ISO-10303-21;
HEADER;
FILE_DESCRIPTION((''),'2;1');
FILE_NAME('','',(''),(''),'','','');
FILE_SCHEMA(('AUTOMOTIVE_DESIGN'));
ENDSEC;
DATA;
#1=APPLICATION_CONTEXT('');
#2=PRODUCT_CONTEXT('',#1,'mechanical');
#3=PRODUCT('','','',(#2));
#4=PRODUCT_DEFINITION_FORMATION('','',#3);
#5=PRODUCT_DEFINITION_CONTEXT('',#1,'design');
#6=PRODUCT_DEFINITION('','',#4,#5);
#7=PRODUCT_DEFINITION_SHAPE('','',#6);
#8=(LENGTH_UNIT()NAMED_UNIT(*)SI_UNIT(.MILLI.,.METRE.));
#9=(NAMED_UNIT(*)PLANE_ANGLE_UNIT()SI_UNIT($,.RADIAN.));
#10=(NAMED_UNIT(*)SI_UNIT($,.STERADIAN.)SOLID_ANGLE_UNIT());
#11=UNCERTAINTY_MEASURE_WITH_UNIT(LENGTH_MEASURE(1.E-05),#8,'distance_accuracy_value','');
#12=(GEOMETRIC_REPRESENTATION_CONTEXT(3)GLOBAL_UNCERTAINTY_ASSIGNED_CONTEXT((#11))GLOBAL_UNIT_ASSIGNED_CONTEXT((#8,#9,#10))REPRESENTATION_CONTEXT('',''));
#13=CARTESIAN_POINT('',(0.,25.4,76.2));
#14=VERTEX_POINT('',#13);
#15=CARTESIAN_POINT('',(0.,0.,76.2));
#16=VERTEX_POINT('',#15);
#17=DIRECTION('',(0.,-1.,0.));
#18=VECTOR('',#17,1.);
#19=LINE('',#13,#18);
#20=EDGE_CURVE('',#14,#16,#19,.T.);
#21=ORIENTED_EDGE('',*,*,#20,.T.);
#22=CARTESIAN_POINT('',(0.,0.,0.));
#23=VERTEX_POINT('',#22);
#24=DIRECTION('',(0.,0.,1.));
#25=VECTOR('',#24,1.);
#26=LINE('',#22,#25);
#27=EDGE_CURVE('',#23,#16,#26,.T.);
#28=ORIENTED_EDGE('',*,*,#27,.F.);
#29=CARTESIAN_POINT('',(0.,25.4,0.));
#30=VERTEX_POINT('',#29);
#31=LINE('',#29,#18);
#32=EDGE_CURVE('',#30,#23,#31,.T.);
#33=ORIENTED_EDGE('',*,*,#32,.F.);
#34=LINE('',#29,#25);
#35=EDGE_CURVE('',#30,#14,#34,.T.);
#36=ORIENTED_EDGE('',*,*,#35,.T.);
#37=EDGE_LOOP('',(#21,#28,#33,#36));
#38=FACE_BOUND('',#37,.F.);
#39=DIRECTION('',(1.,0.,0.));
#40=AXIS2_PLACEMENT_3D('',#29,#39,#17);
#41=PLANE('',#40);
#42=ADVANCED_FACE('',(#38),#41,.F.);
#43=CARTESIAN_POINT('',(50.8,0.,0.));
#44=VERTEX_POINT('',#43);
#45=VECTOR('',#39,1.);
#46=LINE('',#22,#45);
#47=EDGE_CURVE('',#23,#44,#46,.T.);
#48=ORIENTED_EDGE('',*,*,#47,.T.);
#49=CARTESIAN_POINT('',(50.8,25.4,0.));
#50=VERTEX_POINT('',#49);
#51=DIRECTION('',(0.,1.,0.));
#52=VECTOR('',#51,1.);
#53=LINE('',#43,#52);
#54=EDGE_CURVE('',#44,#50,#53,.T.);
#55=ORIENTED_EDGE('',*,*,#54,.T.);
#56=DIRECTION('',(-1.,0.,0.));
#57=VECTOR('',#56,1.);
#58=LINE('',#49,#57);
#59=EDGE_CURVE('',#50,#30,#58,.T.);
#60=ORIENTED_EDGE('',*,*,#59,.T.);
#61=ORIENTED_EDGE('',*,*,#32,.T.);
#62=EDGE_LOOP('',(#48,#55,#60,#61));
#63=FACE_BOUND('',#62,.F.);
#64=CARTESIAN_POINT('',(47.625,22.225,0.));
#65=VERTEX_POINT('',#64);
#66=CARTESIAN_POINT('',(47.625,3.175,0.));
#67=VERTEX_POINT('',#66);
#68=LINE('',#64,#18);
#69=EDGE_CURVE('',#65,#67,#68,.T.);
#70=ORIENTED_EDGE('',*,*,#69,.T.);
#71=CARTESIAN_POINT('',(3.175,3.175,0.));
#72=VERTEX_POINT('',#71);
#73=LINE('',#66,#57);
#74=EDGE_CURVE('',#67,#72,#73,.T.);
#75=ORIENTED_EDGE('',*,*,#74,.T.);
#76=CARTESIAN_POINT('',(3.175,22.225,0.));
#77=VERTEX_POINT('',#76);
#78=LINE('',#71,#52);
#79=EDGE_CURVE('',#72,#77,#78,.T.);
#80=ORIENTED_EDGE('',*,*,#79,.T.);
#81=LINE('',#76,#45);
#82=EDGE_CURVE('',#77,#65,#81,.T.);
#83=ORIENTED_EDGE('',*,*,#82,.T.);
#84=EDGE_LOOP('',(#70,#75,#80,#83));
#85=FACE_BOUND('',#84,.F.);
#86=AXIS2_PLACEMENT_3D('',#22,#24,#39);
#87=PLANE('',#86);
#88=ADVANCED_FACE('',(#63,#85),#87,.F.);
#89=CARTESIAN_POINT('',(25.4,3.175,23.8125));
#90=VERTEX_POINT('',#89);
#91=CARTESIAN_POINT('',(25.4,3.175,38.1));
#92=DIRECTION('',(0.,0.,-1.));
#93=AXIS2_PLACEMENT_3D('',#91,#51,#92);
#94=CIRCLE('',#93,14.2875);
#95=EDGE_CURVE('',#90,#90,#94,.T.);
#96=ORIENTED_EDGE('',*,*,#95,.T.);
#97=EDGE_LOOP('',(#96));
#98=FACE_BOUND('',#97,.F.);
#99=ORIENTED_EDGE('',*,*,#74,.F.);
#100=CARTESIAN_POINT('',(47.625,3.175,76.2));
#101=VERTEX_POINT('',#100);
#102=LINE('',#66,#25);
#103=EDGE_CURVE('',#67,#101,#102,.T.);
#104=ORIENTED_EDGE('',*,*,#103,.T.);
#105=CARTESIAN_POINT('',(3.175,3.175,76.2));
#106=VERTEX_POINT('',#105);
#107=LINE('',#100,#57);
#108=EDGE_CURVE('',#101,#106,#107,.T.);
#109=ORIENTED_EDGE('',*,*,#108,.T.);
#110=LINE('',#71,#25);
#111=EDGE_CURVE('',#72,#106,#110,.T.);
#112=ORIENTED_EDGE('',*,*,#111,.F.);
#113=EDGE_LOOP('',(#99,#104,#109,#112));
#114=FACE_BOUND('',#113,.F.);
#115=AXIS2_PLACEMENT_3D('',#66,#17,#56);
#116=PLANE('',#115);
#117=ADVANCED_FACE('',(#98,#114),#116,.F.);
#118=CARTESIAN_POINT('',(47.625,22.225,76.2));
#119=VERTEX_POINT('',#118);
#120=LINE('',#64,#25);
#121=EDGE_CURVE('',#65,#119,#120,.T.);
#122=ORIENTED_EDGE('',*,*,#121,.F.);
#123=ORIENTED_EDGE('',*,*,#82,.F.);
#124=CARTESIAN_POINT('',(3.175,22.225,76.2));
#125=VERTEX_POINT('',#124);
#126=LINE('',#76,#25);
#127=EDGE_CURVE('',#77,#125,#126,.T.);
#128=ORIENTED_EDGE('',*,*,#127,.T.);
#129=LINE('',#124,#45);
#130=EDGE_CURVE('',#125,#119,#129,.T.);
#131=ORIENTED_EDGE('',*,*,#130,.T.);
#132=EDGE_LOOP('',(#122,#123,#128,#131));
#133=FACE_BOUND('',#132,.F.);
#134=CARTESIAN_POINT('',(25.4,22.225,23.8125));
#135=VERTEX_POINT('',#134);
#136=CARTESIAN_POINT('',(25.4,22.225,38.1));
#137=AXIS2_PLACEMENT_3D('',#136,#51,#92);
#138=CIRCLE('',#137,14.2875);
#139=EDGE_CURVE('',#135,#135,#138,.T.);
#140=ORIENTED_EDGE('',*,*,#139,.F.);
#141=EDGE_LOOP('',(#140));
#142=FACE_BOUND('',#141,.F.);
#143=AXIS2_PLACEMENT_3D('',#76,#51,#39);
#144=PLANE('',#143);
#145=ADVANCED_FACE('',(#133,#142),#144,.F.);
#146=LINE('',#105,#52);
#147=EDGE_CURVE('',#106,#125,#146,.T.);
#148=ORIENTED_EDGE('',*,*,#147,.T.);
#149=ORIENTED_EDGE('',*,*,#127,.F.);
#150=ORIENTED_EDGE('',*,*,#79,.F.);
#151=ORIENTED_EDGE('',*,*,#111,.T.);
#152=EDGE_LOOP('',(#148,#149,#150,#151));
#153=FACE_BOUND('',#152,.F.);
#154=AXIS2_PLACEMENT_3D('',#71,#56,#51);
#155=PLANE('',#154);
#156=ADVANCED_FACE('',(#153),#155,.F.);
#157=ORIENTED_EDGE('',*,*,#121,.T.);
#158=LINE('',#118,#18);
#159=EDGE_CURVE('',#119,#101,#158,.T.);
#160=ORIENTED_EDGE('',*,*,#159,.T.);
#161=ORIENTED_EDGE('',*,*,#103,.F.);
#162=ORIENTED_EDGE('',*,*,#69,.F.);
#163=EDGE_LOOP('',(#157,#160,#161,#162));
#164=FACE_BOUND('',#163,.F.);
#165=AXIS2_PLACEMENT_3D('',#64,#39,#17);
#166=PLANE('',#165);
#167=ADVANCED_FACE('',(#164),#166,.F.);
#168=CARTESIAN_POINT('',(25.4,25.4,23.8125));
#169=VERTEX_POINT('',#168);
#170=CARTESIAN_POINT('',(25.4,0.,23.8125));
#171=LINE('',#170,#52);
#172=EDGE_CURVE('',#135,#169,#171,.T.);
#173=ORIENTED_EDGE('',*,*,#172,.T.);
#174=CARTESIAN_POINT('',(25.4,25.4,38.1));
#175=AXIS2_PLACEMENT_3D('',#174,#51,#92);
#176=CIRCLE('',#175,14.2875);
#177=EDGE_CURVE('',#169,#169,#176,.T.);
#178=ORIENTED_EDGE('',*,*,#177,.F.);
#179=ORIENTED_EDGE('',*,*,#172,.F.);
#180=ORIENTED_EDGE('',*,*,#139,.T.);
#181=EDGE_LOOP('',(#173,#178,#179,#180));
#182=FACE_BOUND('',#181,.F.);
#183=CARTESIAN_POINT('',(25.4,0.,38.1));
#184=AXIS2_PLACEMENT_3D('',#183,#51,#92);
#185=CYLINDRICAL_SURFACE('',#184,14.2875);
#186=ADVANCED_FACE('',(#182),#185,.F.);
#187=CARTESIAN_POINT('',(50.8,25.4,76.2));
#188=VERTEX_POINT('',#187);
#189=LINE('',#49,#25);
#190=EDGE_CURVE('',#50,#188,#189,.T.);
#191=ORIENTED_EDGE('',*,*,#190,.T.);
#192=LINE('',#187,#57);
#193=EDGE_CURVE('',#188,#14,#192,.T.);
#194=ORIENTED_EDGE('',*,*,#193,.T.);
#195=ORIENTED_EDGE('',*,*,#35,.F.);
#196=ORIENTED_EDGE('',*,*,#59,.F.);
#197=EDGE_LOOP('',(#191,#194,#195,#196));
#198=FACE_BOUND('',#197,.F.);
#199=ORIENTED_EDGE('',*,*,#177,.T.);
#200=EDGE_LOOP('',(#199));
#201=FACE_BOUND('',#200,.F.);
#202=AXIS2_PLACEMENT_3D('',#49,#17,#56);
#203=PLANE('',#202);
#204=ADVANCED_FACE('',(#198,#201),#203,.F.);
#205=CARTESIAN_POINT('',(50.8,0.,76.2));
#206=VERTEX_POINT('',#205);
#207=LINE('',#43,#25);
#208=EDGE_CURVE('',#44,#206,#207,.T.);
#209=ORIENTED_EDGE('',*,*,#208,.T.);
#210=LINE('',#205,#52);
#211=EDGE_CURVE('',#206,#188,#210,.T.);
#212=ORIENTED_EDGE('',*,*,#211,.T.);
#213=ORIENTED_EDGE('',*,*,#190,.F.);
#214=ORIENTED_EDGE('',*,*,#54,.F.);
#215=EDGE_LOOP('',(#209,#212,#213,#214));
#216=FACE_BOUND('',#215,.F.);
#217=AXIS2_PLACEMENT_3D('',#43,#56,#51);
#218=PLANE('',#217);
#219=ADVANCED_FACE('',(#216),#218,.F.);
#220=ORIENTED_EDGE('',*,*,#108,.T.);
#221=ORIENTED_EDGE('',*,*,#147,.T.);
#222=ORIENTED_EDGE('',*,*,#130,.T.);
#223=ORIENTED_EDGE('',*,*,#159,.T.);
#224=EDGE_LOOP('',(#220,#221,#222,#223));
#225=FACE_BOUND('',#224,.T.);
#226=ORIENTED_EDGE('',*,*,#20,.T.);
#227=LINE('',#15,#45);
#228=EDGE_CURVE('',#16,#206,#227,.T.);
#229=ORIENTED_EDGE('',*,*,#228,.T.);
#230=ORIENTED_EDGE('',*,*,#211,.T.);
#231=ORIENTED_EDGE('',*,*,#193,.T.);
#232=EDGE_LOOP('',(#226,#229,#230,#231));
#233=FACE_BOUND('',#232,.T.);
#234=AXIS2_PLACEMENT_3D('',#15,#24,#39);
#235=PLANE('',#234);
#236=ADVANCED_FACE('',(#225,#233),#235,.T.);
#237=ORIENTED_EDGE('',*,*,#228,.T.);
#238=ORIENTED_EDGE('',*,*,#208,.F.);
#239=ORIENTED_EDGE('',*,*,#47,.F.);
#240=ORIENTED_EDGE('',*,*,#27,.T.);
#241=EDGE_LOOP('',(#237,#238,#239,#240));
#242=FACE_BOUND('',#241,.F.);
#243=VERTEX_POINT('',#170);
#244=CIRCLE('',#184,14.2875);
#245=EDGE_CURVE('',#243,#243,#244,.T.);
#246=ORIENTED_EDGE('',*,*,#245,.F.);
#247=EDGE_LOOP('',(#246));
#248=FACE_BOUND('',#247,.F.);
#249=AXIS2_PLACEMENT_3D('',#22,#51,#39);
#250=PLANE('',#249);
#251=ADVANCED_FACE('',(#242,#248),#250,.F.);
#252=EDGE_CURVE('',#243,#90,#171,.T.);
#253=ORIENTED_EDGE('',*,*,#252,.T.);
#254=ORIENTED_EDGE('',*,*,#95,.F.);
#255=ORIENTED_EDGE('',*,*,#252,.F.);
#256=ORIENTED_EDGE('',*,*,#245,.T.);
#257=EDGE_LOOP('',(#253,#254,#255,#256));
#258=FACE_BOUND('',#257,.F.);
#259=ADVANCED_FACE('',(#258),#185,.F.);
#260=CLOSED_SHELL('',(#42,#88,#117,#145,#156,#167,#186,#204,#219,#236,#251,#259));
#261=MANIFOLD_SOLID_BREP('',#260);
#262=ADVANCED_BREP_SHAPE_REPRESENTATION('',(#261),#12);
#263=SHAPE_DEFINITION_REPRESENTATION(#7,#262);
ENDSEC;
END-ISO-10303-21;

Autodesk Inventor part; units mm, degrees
ref_plane "YZ Plane" through (0, 0, 0) normal (1, 0, 0) x (0, 1, 0)
ref_plane "XZ Plane" through (0, 0, 0) normal (0, 1, 0) x (-1, 0, 0)
ref_plane "XY Plane" through (0, 0, 0) normal (0, 0, 1) x (1, 0, 0)
sketch "Sketch1" plane through (0, 0, 0) normal (0, 0, 1) x (1, 0, 0)
  line L0 (0, 0) -> (50.8, 0)
  line L1 (50.8, 0) -> (50.8, 25.4)
  line L2 (50.8, 25.4) -> (0, 25.4)
  line L3 (0, 25.4) -> (0, 0)
  line L4 (3.175, 22.225) -> (47.625, 22.225)
  line L5 (47.625, 22.225) -> (47.625, 3.175)
  line L6 (47.625, 3.175) -> (3.175, 3.175)
  line L7 (3.175, 3.175) -> (3.175, 22.225)
  dimension "d0" = 50.8
  dimension "d1" = 25.4
  dimension "d2" = 3.175
extrude "Extrusion1" add sketch "Sketch1" along normal blind 76.2
sketch "Sketch2" plane through (0, 0, 0) normal (0, -1, 0) x (1, 0, 0)
  line L0 (50.8, 0) -> (50.8, 76.2) projected
  line L1 (0, 76.2) -> (50.8, 76.2) projected
  line L2 (0, 0) -> (0, 76.2) projected
  point P0 (25.4, 38.1)
  dimension "d6" = 38.1
  dimension "d14" = 25.4
hole "Hole1" at (25.4, 0, 38.1) direction (0, 1, 0) diameter 28.575 end through all
properties part number "wheel arm support" material "Aluminum 6061"
